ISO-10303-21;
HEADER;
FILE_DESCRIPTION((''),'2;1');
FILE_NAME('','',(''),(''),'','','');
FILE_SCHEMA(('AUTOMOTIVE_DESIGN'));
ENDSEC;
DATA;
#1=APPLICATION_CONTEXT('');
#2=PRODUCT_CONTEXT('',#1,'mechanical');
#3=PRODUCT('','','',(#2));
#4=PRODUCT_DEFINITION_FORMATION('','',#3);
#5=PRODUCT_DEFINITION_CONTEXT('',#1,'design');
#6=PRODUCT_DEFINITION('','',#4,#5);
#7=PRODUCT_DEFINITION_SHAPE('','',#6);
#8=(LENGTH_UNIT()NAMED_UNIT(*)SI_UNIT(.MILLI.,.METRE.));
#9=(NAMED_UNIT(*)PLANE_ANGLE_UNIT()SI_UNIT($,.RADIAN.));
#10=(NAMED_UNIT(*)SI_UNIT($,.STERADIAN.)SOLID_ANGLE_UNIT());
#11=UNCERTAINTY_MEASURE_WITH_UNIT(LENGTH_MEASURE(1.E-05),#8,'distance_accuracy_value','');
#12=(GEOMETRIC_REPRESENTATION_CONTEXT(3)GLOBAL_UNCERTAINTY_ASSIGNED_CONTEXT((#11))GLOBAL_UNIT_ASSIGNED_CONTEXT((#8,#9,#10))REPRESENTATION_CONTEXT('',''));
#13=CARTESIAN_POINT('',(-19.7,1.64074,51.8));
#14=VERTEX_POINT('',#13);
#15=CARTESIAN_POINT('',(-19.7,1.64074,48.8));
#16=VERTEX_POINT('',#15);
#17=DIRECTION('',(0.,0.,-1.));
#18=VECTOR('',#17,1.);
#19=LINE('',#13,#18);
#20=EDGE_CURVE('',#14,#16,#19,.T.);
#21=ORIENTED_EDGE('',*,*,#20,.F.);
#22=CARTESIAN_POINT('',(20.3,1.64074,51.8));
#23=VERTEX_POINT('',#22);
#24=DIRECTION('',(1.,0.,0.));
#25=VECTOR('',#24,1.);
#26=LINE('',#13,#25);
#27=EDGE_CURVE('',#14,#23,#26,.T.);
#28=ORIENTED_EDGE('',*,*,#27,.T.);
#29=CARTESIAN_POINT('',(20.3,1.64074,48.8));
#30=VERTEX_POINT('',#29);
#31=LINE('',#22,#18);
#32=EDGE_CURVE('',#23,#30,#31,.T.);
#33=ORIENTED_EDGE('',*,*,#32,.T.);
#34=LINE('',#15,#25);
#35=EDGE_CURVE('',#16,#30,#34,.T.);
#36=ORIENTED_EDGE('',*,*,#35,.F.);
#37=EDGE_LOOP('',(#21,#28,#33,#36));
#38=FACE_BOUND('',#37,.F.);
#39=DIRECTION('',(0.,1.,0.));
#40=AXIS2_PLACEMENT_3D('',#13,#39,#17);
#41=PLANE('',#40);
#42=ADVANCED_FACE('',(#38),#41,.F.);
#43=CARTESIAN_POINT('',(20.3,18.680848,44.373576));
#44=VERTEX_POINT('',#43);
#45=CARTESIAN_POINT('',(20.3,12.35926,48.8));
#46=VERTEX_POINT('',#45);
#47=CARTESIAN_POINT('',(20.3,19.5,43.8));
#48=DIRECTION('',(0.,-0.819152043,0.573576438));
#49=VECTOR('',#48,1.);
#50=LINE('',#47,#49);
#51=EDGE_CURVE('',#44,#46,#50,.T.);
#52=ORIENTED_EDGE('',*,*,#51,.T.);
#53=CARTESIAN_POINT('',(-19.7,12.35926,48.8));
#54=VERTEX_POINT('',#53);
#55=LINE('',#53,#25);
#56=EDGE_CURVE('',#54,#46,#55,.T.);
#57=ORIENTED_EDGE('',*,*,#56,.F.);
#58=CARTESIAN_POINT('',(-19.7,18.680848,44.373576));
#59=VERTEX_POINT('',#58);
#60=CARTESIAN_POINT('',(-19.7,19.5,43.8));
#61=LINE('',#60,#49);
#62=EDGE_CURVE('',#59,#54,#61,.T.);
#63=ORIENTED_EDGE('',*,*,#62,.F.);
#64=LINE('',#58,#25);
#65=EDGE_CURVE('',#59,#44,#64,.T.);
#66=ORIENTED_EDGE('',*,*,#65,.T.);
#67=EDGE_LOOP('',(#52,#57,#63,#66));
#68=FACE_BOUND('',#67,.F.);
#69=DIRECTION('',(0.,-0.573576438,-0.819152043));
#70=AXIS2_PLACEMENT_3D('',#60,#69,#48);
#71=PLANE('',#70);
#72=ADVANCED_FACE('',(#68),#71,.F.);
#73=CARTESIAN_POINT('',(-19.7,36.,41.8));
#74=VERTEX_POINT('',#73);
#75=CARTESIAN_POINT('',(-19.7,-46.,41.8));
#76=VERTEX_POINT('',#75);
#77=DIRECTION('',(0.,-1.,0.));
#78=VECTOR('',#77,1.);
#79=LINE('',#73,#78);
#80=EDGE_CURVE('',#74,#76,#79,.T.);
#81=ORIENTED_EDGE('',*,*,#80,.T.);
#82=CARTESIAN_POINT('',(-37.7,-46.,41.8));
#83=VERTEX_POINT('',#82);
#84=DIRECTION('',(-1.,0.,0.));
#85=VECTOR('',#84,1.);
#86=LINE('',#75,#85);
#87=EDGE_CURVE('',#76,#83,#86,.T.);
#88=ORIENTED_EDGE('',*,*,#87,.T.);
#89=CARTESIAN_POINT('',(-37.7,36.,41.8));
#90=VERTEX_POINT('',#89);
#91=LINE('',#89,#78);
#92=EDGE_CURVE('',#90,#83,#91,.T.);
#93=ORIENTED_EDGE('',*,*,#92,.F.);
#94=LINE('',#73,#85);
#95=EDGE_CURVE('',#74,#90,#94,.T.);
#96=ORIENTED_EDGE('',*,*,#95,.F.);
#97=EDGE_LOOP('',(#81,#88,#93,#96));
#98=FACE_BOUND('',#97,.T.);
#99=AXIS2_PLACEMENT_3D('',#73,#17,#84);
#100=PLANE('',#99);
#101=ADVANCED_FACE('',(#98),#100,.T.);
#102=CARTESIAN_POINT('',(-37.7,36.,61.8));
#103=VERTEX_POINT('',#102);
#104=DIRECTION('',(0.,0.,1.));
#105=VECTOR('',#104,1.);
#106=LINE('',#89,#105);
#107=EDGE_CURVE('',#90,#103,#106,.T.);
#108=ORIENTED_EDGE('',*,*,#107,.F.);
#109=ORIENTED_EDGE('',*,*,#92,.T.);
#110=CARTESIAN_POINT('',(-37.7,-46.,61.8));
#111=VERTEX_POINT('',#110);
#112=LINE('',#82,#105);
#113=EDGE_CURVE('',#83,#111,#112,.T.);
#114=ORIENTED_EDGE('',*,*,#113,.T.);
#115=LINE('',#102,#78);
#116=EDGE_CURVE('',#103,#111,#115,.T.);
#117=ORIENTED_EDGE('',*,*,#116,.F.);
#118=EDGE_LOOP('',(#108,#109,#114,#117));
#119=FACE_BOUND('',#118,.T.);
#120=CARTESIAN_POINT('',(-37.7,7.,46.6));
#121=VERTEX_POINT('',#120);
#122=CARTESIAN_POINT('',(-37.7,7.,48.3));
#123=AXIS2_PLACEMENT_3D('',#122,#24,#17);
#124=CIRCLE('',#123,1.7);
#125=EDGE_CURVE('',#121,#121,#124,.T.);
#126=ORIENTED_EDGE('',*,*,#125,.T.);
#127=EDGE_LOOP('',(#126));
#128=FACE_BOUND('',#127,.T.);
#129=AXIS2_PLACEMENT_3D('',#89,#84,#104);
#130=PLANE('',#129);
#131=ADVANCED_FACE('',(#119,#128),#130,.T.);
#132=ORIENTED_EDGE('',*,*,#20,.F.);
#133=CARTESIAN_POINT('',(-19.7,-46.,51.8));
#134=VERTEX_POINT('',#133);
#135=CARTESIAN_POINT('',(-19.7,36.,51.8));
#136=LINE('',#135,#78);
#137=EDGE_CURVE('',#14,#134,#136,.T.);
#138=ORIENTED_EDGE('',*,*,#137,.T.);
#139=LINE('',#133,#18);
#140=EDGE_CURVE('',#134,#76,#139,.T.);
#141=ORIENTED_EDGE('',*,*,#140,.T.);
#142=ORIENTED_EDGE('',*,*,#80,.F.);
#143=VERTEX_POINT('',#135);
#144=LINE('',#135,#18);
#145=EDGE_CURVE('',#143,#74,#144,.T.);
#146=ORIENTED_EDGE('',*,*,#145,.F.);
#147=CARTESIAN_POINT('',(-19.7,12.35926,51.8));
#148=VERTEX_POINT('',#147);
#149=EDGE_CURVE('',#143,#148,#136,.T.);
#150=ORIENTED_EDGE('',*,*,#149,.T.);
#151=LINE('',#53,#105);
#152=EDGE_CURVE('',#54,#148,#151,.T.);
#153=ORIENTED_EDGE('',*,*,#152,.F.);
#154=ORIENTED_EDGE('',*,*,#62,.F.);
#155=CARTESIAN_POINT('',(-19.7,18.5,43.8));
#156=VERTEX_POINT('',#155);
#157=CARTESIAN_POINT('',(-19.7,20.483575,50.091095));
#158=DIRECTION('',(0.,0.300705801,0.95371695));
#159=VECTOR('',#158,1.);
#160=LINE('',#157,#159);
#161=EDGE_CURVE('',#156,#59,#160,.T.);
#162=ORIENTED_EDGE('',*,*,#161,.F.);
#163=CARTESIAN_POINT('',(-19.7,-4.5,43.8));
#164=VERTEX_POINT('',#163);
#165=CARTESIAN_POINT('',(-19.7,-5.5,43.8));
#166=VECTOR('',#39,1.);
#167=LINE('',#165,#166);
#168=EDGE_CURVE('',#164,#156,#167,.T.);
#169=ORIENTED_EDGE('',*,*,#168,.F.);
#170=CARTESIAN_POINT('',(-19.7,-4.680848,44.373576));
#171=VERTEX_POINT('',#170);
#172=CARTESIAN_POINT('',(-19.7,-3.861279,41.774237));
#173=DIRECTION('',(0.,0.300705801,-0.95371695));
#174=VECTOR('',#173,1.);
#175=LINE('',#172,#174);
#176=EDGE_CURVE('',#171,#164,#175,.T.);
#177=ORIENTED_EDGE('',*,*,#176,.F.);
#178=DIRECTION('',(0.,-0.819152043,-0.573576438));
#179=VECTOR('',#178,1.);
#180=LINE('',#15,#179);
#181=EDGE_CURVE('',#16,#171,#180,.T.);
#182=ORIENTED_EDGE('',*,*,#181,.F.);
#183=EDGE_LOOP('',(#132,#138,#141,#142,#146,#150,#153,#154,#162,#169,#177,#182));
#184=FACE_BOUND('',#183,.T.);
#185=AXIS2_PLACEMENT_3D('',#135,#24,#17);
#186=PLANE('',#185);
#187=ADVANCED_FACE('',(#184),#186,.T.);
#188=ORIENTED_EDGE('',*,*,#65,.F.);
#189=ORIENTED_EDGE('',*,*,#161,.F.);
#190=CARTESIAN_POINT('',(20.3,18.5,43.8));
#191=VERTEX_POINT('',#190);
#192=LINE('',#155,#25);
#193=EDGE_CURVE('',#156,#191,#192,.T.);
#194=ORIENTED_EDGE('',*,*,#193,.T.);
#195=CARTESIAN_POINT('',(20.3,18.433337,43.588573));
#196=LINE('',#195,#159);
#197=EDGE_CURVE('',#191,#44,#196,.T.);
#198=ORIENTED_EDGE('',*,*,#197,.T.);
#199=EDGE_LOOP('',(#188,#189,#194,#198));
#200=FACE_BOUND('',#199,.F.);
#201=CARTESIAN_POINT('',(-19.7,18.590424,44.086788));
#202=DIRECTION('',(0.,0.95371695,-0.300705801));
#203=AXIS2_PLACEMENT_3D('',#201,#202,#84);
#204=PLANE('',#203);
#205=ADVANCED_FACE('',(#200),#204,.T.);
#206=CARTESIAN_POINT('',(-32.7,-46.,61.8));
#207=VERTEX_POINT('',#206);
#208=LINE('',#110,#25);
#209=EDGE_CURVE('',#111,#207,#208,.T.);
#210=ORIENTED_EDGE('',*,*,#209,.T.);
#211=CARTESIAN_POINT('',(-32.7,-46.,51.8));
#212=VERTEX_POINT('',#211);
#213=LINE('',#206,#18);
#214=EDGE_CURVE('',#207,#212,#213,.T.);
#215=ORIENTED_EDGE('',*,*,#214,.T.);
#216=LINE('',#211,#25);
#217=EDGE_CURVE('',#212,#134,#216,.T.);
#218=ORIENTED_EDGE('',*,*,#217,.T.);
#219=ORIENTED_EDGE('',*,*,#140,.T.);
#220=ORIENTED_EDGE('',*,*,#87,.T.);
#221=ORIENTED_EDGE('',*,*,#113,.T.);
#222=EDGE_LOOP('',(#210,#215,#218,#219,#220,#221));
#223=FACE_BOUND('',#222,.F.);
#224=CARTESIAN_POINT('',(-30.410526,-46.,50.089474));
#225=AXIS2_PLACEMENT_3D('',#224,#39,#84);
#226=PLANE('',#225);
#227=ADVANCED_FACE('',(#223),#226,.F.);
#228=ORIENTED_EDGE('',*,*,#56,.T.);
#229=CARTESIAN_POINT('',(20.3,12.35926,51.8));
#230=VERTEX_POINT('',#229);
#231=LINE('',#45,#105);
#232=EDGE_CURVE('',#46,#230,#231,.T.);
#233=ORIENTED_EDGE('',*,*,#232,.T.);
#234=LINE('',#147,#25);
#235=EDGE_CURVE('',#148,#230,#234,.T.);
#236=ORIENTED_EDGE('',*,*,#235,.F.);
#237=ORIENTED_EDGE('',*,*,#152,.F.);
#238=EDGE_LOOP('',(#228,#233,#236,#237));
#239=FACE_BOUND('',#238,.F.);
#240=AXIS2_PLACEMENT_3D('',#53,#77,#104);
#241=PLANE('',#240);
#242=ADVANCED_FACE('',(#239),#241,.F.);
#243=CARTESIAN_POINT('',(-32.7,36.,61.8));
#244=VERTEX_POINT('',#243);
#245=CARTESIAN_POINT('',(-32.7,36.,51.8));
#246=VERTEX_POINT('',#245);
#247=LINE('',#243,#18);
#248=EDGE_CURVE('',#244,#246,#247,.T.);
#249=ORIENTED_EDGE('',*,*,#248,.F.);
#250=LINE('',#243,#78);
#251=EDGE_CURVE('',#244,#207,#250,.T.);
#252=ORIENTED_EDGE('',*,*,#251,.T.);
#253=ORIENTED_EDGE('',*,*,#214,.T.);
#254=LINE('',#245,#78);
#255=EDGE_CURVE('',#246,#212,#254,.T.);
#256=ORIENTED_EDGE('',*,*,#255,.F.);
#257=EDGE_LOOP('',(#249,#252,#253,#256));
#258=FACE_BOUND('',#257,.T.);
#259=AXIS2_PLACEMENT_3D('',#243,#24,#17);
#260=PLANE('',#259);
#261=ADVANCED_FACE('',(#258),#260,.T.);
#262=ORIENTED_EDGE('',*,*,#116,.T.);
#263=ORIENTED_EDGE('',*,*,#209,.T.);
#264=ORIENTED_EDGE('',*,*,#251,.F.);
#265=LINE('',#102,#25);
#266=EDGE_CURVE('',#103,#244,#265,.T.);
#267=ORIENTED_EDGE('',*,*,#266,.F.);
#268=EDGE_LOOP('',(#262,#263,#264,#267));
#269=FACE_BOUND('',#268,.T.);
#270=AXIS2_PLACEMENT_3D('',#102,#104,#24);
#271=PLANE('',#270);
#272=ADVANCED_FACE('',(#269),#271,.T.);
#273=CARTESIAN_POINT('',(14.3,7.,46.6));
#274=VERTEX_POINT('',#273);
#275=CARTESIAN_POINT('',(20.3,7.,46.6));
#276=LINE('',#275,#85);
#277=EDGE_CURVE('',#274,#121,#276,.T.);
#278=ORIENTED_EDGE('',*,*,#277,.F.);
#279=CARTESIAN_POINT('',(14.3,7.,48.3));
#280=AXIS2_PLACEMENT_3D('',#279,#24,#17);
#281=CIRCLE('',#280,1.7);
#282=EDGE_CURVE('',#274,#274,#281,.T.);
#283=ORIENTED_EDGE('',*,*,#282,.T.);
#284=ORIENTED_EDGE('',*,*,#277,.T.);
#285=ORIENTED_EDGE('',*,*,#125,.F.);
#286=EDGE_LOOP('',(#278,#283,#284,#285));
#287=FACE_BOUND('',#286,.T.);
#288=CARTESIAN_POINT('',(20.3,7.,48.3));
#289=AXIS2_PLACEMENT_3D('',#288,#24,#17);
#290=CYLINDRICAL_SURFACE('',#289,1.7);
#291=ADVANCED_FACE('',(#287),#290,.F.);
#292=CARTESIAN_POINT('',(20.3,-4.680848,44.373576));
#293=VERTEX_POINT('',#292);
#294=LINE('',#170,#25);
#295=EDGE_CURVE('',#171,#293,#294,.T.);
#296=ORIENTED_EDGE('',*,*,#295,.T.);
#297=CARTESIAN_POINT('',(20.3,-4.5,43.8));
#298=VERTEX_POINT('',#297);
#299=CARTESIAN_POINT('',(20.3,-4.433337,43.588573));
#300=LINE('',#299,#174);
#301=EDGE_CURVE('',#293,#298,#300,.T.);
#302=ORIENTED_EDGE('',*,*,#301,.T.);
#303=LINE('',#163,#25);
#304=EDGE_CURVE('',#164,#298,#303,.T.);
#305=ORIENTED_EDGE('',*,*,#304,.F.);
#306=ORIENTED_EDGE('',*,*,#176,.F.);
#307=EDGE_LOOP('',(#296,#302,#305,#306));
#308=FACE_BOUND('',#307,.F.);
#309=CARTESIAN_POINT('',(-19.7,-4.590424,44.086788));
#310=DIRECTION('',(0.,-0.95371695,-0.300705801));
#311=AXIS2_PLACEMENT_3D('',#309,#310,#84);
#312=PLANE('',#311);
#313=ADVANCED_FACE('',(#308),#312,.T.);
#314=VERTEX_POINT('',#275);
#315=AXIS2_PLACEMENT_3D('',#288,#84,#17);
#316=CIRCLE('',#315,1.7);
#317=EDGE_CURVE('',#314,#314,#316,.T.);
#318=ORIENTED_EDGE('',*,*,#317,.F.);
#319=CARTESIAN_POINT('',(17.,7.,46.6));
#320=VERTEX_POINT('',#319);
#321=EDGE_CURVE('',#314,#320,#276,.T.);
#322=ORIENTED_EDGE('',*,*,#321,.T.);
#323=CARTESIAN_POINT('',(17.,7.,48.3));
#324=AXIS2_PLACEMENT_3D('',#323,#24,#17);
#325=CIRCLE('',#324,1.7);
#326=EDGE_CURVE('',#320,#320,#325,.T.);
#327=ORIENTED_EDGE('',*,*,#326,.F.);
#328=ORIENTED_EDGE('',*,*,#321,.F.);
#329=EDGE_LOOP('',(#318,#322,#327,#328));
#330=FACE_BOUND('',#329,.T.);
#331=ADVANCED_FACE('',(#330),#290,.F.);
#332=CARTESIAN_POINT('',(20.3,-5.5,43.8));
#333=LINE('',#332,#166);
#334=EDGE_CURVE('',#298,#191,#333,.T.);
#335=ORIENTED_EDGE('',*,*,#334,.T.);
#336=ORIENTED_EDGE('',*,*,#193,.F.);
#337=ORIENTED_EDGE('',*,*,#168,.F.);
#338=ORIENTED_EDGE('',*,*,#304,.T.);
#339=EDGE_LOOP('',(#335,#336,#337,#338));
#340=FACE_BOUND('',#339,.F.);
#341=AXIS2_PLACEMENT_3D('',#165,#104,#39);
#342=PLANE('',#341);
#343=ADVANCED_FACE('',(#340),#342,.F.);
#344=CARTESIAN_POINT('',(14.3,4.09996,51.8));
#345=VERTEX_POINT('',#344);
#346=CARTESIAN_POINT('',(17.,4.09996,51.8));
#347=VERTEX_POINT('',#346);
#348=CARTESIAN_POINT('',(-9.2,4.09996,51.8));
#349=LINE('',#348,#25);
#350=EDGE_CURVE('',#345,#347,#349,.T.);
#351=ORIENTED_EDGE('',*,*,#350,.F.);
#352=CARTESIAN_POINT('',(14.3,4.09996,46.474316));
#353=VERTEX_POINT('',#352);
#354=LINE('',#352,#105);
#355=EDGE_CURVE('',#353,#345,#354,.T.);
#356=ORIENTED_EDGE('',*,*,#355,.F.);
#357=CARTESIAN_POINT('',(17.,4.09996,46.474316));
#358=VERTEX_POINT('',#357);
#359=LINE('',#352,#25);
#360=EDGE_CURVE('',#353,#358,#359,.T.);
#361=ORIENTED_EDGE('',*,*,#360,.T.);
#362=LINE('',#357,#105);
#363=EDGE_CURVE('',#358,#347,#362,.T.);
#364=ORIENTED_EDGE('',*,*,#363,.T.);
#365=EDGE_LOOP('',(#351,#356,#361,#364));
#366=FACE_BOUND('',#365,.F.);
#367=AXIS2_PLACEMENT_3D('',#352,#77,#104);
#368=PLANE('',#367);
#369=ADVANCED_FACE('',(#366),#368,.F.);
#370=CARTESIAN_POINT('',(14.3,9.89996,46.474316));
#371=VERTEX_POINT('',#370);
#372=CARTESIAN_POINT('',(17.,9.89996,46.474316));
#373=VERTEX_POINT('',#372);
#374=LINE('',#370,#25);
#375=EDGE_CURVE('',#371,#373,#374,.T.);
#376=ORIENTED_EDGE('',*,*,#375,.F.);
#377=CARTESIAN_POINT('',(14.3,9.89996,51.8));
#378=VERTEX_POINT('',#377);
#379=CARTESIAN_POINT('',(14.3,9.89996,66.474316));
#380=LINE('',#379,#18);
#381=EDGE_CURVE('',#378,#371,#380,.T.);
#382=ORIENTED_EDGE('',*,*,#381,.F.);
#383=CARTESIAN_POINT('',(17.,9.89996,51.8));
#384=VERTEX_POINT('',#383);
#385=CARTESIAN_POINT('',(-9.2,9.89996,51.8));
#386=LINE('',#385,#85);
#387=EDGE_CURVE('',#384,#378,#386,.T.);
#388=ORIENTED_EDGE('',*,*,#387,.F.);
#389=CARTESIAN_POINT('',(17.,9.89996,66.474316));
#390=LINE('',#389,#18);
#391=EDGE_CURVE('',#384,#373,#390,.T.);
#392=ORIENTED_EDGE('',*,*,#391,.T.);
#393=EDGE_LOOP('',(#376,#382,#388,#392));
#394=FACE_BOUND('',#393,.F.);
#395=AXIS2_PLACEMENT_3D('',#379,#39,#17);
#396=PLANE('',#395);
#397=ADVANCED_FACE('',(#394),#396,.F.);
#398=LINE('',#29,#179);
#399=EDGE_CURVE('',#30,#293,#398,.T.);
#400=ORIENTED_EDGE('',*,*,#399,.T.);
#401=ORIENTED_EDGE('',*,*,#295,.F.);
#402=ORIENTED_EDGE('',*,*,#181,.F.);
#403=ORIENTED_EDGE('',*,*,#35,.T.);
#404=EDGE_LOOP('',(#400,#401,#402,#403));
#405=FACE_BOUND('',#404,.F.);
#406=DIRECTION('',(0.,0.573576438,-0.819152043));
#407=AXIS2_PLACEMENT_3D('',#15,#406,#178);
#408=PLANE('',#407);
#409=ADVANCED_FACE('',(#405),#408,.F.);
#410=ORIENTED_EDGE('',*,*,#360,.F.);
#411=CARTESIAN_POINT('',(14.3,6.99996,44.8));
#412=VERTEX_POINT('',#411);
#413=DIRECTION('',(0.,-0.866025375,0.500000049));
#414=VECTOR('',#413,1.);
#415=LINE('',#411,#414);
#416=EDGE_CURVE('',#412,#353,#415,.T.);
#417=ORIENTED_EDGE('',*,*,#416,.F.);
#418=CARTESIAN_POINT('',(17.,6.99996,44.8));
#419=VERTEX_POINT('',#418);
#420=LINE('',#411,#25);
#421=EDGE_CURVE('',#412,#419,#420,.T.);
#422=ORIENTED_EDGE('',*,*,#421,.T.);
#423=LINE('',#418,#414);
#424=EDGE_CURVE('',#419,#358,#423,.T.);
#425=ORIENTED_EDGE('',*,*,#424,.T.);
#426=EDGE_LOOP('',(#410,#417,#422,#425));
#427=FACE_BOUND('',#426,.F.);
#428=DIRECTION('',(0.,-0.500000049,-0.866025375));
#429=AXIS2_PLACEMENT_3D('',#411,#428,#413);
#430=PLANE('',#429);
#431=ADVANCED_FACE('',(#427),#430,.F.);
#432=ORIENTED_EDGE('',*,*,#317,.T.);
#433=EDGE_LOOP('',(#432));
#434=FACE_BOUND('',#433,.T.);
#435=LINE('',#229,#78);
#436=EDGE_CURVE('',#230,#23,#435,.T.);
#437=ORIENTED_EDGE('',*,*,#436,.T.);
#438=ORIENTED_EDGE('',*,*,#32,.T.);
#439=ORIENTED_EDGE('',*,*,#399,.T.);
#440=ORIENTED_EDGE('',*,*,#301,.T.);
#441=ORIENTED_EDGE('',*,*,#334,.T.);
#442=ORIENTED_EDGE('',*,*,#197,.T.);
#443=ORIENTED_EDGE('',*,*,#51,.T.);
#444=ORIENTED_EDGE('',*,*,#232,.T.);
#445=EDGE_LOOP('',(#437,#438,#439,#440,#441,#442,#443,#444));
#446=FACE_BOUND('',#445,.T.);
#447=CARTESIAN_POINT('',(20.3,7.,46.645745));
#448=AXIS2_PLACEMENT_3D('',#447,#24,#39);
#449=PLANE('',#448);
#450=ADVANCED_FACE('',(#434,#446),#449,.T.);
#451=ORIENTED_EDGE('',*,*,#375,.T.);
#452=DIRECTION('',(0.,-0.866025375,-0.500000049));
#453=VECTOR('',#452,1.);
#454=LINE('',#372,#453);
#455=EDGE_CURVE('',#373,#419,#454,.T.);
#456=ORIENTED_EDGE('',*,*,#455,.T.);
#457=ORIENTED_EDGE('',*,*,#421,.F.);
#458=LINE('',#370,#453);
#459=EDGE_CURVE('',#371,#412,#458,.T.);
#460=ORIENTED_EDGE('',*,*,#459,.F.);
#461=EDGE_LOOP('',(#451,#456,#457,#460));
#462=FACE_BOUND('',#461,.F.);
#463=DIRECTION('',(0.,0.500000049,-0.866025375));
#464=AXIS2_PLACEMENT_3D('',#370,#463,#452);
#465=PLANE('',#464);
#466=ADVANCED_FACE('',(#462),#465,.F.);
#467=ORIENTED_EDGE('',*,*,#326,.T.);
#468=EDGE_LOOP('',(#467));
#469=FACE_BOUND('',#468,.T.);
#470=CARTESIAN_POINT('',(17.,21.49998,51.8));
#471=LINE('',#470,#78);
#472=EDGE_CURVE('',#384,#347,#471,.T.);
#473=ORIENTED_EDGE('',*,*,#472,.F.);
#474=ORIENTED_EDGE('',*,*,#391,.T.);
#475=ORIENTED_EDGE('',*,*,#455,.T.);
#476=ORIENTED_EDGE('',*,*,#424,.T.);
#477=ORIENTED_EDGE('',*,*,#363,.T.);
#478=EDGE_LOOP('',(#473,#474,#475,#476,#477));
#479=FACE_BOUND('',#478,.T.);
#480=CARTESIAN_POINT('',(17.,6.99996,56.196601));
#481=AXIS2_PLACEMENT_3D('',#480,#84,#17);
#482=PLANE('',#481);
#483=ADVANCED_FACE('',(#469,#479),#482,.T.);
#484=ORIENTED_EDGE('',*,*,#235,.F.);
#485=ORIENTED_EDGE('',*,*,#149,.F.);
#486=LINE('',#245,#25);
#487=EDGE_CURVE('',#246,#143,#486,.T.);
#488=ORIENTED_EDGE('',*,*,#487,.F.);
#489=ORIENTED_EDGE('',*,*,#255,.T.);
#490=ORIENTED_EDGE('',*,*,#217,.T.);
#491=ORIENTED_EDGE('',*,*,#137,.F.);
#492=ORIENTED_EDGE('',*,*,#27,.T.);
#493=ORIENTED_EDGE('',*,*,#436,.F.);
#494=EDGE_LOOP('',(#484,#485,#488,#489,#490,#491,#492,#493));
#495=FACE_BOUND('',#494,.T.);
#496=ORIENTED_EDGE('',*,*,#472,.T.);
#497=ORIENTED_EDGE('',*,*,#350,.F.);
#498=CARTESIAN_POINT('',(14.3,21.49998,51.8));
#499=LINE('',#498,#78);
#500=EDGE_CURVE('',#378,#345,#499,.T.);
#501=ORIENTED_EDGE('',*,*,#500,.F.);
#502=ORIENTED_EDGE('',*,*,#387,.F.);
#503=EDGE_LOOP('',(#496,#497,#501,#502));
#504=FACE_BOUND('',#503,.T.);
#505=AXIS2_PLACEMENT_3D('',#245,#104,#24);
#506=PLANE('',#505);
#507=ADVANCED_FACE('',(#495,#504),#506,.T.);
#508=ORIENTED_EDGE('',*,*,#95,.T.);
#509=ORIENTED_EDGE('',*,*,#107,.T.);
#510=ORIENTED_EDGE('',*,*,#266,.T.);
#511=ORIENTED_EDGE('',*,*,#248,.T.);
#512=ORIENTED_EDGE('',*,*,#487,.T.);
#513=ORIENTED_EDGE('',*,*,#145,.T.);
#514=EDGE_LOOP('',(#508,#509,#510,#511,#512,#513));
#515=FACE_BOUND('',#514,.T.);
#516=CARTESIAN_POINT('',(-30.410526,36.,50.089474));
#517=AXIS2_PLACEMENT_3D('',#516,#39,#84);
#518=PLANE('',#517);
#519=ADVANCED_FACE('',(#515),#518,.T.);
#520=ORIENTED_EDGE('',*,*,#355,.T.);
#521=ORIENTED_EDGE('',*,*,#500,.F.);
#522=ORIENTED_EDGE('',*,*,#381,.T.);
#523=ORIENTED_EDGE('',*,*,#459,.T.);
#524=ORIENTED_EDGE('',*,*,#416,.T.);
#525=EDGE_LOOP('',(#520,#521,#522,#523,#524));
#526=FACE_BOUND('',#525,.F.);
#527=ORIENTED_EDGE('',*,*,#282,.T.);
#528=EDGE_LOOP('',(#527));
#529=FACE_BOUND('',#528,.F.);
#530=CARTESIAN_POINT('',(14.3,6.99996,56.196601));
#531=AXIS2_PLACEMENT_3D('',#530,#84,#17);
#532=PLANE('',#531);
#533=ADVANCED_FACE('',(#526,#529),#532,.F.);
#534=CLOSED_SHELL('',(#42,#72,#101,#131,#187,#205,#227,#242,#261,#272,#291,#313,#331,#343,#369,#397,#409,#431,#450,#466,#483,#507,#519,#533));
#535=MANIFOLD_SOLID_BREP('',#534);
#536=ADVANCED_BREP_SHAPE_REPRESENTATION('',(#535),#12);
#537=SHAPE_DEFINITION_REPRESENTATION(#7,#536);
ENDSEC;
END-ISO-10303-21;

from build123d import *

# Parameters (mm, degrees)
PAD007_DEPTH               = 2.7
CYLINDER1015_R             = 1.7
CYLINDER1015_DEPTH         = 100
CLONE008_PITCH_ANGLE       = 90
PAD006_DEPTH               = 82
PAD009_DEPTH               = 40
CHAMFER011_SIZE            = 1
CHAMFER011_PLACEMENT_ANGLE = 180


with BuildPart() as clone_of_m3nuthousingmaster:
    # Sketch008 → Pad007 (new body)
    with BuildSketch(Plane(origin=(65, 30, 1.5), x_dir=(0, 0, 1), z_dir=(-1, 0, 0))):
        Polygon((0, 0), (1.674316, 2.9), (21.674316, 2.9), (21.674316, -2.9), (1.674316, -2.9), align=None)
    extrude(amount=PAD007_DEPTH)


with BuildPart() as clone_of_m3nuthousingmaster_1:
    # Clone009 placement: moved
    add(clone_of_m3nuthousingmaster.part.moved(Location((-117, -0.99996, 1.5))))


with BuildPart() as fusion021:
    # Cylinder1015 → Cylinder1015 (new body)
    with BuildSketch(Plane.XY):
        Circle(CYLINDER1015_R)
    extrude(amount=CYLINDER1015_DEPTH)


with BuildPart() as fusion021_1:
    # Clone008 pitch: moved
    add(fusion021.part.rotate(Axis((0, 0, 0), (0, 1, 0)), CLONE008_PITCH_ANGLE))


with BuildPart() as fusion021_2:
    # Clone008 placement: moved
    add(fusion021_1.part.moved(Location((-58, 29, 6.5))))

    # Fusion021: union Clone of M3NutHousingMaster
    add(clone_of_m3nuthousingmaster_1.part)


with BuildPart() as pad006:
    # Sketch007 → Pad006 (new body)
    with BuildSketch(Plane(origin=(0, 0, 0), x_dir=(-1, 0, 0), z_dir=(0, 1, 0))):
        Polygon((0, 0), (0, 20), (5, 20), (5, 10), (18, 10), (18, 0), align=None)
    extrude(amount=PAD006_DEPTH)


with BuildPart() as clone_of_lateraladjust:
    # Sketch010 → Pad009 (new body)
    with BuildSketch(Plane(origin=(-18, 29, 2), x_dir=(0, 1, 0), z_dir=(1, 0, 0))):
        Polygon((-12.5, 0), (-5.35926, 5), (-5.35926, 8), (5.35926, 8), (5.35926, 5), (12.5, 0), align=None)
    extrude(amount=-PAD009_DEPTH)

    # Fusion034: union Pad006
    add(pad006.part)

    # Cut025: cut Fusion021
    add(fusion021_2.part, mode=Mode.SUBTRACT)

    # Chamfer011
    chamfer011_edges = [clone_of_lateraladjust.edges().sort_by_distance(p)[0] for p in [
        (-38, 16.5, 2),
        (-38, 41.5, 2),
    ]]
    chamfer(chamfer011_edges, length=CHAMFER011_SIZE)


with BuildPart() as clone_of_lateraladjust_1:
    # Chamfer011 placement: moved
    add(clone_of_lateraladjust.part.moved(Location((-37.7, 79, 44))).rotate(Axis((-37.7, 79, 44), (0, 0, 1)), CHAMFER011_PLACEMENT_ANGLE))


with BuildPart() as clone_of_lateraladjust_2:
    # Clone088 placement: moved
    add(clone_of_lateraladjust_1.part.moved(Location((0, -43, -2.2))))


solid = clone_of_lateraladjust_2.part
